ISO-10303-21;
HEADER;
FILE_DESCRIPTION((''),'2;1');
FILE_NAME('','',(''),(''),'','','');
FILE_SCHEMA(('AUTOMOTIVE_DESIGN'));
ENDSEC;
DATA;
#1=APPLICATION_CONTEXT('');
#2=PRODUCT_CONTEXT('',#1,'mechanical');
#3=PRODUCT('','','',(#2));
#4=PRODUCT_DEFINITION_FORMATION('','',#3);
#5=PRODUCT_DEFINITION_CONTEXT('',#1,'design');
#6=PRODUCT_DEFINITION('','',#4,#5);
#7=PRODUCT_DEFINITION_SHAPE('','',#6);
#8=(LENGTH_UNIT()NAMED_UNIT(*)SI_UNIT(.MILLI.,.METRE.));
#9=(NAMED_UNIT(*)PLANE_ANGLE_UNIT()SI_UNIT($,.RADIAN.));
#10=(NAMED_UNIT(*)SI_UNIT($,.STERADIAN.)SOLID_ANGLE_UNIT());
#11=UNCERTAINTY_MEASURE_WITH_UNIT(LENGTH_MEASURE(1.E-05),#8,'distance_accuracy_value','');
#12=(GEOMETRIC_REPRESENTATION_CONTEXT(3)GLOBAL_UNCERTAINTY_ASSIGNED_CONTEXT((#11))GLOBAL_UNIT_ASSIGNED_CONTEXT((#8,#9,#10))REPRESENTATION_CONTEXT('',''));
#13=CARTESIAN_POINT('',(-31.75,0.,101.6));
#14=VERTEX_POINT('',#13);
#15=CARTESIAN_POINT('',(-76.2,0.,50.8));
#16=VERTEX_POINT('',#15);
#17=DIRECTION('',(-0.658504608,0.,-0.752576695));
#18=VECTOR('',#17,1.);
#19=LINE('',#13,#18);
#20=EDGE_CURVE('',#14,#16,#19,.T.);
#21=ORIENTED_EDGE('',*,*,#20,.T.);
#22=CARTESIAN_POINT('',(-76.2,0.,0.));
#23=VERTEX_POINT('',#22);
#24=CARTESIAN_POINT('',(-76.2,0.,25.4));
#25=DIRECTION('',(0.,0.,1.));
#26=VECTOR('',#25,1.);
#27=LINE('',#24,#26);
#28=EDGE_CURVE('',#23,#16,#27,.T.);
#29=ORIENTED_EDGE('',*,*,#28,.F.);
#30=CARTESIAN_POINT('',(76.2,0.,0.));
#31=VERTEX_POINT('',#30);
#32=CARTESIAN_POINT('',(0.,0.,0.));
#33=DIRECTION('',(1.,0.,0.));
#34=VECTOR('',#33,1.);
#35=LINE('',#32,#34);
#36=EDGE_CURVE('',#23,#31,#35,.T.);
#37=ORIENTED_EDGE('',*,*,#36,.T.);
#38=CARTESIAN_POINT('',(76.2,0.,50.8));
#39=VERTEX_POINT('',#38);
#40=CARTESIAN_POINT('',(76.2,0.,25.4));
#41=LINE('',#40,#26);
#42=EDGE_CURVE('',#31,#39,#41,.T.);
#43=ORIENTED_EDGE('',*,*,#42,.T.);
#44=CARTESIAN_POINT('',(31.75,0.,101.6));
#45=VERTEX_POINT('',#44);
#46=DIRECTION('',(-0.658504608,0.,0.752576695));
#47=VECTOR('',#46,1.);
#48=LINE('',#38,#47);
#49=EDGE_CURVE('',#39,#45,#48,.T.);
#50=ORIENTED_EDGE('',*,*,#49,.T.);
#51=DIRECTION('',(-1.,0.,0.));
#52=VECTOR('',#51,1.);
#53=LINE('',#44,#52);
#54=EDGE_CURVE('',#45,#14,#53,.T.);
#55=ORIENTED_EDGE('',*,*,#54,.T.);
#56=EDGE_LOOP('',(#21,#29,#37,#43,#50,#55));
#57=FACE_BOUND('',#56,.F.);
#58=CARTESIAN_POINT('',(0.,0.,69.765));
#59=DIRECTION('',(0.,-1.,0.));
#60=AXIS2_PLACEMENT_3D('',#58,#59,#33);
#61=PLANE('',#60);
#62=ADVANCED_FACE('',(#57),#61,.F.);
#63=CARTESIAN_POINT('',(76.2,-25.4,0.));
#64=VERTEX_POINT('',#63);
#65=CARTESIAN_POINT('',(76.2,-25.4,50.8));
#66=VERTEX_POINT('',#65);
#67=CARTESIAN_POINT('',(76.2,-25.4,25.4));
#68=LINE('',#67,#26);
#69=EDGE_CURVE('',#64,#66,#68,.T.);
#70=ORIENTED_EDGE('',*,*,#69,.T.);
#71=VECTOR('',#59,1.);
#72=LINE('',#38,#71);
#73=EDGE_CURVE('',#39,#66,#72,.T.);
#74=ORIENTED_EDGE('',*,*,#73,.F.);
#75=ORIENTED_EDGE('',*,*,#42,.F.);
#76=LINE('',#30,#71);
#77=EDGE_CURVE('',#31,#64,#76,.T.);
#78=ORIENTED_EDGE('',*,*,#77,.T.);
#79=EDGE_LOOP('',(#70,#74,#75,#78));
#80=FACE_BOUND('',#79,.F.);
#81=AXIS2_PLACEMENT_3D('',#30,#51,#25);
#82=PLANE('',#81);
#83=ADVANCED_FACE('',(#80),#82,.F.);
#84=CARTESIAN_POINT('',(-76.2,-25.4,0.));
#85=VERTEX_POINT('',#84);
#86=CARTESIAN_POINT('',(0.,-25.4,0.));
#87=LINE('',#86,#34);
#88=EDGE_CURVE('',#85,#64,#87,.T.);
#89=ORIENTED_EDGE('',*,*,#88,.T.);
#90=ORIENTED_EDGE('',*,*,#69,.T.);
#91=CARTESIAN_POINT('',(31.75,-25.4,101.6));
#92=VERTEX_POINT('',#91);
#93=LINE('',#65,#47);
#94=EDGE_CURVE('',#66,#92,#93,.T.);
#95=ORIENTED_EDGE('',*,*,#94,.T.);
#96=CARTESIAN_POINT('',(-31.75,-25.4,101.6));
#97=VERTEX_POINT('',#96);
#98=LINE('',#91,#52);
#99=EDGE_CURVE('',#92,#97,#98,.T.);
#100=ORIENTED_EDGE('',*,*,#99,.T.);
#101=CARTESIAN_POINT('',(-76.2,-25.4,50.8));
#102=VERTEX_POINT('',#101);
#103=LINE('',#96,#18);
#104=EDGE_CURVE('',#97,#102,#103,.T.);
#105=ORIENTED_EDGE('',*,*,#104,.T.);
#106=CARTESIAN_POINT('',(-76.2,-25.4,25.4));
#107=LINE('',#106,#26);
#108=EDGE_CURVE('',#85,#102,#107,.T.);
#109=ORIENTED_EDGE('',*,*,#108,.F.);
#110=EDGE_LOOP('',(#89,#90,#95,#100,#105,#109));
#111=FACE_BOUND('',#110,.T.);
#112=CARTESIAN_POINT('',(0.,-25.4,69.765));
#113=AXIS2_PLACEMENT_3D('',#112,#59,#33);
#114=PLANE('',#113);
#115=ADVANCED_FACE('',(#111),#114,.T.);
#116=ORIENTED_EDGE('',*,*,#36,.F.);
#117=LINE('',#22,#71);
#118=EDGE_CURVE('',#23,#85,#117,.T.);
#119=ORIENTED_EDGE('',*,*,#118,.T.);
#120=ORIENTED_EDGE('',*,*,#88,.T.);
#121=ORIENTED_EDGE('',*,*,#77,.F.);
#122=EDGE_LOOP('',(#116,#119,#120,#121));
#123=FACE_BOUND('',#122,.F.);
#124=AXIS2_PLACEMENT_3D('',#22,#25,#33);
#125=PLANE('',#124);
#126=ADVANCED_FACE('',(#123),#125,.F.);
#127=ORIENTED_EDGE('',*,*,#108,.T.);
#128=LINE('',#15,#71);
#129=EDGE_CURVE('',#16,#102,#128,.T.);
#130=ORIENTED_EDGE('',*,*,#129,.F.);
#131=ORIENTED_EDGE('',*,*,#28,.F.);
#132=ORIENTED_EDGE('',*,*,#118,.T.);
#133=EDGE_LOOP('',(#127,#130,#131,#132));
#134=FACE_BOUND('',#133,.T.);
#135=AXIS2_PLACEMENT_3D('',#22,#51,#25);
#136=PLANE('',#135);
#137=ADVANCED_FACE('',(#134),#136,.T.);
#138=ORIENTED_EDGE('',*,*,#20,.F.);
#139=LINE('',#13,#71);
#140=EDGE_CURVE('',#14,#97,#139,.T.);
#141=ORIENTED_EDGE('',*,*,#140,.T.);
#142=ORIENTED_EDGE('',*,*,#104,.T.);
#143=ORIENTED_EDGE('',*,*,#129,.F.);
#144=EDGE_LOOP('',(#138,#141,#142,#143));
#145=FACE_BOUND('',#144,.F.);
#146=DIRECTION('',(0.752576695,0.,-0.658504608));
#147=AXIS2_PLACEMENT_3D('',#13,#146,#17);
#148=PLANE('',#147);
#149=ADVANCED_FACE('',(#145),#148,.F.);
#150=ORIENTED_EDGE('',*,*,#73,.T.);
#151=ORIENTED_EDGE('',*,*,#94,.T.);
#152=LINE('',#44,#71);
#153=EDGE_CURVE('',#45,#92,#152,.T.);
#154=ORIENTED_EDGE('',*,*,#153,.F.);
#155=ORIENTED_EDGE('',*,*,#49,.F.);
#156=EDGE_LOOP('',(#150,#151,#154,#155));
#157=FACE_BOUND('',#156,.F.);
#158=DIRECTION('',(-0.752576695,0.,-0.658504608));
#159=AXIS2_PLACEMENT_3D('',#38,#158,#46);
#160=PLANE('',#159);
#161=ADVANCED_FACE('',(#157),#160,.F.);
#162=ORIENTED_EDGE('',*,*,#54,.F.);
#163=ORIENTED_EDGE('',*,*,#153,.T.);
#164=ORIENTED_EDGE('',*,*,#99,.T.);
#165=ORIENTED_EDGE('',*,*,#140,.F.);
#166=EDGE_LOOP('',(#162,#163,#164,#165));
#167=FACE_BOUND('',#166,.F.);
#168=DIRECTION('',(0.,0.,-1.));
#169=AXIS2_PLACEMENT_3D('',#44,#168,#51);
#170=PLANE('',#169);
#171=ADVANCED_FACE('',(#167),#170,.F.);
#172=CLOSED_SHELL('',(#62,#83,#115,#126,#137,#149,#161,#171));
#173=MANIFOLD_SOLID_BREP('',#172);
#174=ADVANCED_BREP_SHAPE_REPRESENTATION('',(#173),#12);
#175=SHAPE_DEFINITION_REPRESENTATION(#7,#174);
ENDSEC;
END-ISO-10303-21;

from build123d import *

# Parameters (mm, degrees)
F0_W     = 152.4
F0_H     = 50.8
F1_DEPTH = 25.4


with BuildPart() as f1:
    # F0 (on Front) → F1 (new body)
    with BuildSketch(Plane.XZ):
        Polygon((-76.2, 50.8), (76.2, 50.8), (31.75, 101.6), (-31.75, 101.6), align=None)
        with Locations((0, 25.4)):
            Rectangle(F0_W, F0_H)
    extrude(amount=F1_DEPTH)


solid = f1.part
